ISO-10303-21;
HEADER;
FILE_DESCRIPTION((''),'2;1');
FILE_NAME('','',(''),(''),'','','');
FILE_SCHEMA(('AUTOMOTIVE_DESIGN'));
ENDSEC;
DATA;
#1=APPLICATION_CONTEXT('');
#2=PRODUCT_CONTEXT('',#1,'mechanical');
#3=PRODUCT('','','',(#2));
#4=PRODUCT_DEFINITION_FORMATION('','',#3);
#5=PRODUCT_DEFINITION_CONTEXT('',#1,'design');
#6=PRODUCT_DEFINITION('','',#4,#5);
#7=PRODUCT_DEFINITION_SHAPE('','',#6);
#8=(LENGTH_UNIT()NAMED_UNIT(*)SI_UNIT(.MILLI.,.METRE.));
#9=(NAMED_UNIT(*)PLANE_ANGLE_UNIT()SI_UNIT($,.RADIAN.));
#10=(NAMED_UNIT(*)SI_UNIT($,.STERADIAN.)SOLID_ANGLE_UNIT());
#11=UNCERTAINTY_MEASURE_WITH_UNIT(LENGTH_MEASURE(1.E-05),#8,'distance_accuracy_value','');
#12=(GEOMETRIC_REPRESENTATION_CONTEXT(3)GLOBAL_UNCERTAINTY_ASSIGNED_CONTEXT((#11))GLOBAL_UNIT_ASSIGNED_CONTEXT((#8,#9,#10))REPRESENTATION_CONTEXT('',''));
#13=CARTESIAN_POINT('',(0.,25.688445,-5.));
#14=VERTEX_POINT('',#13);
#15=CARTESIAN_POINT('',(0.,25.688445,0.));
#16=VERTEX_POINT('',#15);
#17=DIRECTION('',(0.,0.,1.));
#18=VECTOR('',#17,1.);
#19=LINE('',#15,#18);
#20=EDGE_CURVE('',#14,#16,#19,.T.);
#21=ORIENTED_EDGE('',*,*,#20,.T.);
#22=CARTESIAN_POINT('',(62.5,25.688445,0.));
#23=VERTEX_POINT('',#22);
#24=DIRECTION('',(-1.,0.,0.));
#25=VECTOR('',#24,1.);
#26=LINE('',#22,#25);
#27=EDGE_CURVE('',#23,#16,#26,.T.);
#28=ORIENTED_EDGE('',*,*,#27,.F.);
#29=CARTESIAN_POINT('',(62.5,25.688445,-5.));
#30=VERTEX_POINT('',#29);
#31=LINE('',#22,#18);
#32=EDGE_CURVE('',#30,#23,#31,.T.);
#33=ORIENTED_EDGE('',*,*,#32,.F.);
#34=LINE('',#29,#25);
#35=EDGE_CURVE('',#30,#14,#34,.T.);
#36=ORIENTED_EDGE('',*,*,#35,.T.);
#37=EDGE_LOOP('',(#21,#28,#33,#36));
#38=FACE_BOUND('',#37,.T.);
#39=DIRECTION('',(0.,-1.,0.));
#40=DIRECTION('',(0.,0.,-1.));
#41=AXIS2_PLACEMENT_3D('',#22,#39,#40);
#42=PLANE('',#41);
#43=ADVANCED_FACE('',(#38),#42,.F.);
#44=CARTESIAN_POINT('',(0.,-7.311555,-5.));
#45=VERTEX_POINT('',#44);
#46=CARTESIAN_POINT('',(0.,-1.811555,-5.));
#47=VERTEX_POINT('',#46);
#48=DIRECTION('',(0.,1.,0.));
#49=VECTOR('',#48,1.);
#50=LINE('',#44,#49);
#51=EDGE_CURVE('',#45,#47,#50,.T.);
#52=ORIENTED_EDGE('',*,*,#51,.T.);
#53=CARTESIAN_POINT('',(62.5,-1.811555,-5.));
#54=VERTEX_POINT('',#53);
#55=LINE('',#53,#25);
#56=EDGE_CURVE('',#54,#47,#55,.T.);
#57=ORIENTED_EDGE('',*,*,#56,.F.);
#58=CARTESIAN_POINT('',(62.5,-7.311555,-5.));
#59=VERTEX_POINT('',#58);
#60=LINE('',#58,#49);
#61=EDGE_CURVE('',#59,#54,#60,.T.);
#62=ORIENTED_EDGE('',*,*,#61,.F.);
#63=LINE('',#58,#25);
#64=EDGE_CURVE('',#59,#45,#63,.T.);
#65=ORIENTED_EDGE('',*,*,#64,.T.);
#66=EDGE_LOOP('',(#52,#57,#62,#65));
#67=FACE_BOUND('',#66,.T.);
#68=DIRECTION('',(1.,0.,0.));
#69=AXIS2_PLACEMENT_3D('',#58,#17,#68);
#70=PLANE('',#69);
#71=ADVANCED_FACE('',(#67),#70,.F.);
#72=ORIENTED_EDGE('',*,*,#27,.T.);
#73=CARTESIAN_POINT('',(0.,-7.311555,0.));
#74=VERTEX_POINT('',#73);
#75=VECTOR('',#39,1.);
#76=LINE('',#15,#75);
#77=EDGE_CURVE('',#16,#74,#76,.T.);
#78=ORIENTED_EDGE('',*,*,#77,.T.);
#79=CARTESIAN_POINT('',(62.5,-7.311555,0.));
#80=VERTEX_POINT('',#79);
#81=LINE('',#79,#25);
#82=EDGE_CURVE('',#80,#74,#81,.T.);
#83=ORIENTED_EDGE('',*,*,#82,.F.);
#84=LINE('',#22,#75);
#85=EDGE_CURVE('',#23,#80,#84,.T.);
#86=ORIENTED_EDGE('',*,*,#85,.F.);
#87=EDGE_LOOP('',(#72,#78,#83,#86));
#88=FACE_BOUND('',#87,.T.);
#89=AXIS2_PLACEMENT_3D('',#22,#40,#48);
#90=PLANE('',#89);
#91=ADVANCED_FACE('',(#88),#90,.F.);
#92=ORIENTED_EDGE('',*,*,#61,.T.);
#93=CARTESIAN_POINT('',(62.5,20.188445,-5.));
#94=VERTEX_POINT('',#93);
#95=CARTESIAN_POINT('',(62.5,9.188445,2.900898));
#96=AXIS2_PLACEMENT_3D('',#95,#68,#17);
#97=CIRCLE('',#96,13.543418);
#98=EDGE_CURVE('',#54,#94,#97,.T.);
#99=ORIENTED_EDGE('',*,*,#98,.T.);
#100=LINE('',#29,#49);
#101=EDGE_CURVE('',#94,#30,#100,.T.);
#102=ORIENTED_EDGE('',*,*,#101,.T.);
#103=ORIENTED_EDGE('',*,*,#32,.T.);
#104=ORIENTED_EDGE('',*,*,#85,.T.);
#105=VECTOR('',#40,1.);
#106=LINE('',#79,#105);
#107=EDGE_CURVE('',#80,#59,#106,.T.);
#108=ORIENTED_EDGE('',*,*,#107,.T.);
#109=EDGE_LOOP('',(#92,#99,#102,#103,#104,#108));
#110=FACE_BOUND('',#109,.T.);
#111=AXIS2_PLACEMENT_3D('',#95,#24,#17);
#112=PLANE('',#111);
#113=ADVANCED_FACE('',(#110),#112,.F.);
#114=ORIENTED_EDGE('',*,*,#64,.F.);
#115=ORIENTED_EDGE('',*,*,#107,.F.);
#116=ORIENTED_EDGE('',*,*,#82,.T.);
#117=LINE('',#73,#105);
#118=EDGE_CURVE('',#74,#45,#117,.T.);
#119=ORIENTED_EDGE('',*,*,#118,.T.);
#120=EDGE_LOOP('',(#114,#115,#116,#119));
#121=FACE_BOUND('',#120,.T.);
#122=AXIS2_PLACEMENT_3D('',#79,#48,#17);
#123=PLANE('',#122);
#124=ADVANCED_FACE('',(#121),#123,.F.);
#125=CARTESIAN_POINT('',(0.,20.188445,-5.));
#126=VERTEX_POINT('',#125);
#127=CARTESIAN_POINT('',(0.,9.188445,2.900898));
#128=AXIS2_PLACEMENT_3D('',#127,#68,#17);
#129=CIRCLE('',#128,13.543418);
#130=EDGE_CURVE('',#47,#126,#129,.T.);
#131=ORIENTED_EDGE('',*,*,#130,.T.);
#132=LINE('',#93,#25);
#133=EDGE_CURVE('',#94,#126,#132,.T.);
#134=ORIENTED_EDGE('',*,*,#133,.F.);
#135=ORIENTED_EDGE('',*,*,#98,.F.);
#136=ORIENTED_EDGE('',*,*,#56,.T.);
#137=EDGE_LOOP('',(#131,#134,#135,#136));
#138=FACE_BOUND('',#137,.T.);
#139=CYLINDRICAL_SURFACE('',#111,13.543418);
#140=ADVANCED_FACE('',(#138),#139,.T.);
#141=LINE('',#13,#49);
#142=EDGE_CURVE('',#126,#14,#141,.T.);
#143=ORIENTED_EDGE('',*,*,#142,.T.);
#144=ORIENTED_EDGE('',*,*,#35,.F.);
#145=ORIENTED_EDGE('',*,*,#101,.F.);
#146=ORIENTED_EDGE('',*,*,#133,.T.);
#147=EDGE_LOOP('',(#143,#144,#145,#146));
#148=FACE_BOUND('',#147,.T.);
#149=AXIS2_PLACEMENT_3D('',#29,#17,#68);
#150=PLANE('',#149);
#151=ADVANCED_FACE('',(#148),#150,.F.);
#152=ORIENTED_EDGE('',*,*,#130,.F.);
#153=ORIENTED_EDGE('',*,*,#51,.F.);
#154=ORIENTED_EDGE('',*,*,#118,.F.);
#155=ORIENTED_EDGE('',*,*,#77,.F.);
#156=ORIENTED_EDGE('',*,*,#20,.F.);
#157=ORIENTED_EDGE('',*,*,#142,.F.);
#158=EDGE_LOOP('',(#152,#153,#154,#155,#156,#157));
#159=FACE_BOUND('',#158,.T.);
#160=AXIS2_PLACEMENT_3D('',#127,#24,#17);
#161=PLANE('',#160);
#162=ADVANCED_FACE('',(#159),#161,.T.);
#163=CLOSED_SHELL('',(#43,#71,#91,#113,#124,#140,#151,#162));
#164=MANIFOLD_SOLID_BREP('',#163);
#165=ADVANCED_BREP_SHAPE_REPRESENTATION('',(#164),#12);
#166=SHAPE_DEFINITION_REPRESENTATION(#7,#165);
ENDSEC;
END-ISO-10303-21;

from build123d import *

# Parameters (mm, degrees)
BOSS_EXTRUDE1_DEPTH = 62.5


with BuildPart() as part:
    # Sketch2 → Boss-Extrude1 (new body)
    with BuildSketch(Plane(origin=(0, 0, 0), x_dir=(0, 0, -1), z_dir=(1, 0, 0))):
        with BuildLine():
            Line((0, 25.688444698), (0, -7.311555302))
            Line((0, -7.311555302), (5, -7.311555302))
            Line((5, -7.311555302), (5, -1.811555302))
            ThreePointArc((5, -1.811555302), (10.642520815, 9.188444698), (5, 20.188444698))
            Line((5, 20.188444698), (5, 25.688444698))
            Line((5, 25.688444698), (0, 25.688444698))
        make_face()
    extrude(amount=BOSS_EXTRUDE1_DEPTH)


solid = part.part
